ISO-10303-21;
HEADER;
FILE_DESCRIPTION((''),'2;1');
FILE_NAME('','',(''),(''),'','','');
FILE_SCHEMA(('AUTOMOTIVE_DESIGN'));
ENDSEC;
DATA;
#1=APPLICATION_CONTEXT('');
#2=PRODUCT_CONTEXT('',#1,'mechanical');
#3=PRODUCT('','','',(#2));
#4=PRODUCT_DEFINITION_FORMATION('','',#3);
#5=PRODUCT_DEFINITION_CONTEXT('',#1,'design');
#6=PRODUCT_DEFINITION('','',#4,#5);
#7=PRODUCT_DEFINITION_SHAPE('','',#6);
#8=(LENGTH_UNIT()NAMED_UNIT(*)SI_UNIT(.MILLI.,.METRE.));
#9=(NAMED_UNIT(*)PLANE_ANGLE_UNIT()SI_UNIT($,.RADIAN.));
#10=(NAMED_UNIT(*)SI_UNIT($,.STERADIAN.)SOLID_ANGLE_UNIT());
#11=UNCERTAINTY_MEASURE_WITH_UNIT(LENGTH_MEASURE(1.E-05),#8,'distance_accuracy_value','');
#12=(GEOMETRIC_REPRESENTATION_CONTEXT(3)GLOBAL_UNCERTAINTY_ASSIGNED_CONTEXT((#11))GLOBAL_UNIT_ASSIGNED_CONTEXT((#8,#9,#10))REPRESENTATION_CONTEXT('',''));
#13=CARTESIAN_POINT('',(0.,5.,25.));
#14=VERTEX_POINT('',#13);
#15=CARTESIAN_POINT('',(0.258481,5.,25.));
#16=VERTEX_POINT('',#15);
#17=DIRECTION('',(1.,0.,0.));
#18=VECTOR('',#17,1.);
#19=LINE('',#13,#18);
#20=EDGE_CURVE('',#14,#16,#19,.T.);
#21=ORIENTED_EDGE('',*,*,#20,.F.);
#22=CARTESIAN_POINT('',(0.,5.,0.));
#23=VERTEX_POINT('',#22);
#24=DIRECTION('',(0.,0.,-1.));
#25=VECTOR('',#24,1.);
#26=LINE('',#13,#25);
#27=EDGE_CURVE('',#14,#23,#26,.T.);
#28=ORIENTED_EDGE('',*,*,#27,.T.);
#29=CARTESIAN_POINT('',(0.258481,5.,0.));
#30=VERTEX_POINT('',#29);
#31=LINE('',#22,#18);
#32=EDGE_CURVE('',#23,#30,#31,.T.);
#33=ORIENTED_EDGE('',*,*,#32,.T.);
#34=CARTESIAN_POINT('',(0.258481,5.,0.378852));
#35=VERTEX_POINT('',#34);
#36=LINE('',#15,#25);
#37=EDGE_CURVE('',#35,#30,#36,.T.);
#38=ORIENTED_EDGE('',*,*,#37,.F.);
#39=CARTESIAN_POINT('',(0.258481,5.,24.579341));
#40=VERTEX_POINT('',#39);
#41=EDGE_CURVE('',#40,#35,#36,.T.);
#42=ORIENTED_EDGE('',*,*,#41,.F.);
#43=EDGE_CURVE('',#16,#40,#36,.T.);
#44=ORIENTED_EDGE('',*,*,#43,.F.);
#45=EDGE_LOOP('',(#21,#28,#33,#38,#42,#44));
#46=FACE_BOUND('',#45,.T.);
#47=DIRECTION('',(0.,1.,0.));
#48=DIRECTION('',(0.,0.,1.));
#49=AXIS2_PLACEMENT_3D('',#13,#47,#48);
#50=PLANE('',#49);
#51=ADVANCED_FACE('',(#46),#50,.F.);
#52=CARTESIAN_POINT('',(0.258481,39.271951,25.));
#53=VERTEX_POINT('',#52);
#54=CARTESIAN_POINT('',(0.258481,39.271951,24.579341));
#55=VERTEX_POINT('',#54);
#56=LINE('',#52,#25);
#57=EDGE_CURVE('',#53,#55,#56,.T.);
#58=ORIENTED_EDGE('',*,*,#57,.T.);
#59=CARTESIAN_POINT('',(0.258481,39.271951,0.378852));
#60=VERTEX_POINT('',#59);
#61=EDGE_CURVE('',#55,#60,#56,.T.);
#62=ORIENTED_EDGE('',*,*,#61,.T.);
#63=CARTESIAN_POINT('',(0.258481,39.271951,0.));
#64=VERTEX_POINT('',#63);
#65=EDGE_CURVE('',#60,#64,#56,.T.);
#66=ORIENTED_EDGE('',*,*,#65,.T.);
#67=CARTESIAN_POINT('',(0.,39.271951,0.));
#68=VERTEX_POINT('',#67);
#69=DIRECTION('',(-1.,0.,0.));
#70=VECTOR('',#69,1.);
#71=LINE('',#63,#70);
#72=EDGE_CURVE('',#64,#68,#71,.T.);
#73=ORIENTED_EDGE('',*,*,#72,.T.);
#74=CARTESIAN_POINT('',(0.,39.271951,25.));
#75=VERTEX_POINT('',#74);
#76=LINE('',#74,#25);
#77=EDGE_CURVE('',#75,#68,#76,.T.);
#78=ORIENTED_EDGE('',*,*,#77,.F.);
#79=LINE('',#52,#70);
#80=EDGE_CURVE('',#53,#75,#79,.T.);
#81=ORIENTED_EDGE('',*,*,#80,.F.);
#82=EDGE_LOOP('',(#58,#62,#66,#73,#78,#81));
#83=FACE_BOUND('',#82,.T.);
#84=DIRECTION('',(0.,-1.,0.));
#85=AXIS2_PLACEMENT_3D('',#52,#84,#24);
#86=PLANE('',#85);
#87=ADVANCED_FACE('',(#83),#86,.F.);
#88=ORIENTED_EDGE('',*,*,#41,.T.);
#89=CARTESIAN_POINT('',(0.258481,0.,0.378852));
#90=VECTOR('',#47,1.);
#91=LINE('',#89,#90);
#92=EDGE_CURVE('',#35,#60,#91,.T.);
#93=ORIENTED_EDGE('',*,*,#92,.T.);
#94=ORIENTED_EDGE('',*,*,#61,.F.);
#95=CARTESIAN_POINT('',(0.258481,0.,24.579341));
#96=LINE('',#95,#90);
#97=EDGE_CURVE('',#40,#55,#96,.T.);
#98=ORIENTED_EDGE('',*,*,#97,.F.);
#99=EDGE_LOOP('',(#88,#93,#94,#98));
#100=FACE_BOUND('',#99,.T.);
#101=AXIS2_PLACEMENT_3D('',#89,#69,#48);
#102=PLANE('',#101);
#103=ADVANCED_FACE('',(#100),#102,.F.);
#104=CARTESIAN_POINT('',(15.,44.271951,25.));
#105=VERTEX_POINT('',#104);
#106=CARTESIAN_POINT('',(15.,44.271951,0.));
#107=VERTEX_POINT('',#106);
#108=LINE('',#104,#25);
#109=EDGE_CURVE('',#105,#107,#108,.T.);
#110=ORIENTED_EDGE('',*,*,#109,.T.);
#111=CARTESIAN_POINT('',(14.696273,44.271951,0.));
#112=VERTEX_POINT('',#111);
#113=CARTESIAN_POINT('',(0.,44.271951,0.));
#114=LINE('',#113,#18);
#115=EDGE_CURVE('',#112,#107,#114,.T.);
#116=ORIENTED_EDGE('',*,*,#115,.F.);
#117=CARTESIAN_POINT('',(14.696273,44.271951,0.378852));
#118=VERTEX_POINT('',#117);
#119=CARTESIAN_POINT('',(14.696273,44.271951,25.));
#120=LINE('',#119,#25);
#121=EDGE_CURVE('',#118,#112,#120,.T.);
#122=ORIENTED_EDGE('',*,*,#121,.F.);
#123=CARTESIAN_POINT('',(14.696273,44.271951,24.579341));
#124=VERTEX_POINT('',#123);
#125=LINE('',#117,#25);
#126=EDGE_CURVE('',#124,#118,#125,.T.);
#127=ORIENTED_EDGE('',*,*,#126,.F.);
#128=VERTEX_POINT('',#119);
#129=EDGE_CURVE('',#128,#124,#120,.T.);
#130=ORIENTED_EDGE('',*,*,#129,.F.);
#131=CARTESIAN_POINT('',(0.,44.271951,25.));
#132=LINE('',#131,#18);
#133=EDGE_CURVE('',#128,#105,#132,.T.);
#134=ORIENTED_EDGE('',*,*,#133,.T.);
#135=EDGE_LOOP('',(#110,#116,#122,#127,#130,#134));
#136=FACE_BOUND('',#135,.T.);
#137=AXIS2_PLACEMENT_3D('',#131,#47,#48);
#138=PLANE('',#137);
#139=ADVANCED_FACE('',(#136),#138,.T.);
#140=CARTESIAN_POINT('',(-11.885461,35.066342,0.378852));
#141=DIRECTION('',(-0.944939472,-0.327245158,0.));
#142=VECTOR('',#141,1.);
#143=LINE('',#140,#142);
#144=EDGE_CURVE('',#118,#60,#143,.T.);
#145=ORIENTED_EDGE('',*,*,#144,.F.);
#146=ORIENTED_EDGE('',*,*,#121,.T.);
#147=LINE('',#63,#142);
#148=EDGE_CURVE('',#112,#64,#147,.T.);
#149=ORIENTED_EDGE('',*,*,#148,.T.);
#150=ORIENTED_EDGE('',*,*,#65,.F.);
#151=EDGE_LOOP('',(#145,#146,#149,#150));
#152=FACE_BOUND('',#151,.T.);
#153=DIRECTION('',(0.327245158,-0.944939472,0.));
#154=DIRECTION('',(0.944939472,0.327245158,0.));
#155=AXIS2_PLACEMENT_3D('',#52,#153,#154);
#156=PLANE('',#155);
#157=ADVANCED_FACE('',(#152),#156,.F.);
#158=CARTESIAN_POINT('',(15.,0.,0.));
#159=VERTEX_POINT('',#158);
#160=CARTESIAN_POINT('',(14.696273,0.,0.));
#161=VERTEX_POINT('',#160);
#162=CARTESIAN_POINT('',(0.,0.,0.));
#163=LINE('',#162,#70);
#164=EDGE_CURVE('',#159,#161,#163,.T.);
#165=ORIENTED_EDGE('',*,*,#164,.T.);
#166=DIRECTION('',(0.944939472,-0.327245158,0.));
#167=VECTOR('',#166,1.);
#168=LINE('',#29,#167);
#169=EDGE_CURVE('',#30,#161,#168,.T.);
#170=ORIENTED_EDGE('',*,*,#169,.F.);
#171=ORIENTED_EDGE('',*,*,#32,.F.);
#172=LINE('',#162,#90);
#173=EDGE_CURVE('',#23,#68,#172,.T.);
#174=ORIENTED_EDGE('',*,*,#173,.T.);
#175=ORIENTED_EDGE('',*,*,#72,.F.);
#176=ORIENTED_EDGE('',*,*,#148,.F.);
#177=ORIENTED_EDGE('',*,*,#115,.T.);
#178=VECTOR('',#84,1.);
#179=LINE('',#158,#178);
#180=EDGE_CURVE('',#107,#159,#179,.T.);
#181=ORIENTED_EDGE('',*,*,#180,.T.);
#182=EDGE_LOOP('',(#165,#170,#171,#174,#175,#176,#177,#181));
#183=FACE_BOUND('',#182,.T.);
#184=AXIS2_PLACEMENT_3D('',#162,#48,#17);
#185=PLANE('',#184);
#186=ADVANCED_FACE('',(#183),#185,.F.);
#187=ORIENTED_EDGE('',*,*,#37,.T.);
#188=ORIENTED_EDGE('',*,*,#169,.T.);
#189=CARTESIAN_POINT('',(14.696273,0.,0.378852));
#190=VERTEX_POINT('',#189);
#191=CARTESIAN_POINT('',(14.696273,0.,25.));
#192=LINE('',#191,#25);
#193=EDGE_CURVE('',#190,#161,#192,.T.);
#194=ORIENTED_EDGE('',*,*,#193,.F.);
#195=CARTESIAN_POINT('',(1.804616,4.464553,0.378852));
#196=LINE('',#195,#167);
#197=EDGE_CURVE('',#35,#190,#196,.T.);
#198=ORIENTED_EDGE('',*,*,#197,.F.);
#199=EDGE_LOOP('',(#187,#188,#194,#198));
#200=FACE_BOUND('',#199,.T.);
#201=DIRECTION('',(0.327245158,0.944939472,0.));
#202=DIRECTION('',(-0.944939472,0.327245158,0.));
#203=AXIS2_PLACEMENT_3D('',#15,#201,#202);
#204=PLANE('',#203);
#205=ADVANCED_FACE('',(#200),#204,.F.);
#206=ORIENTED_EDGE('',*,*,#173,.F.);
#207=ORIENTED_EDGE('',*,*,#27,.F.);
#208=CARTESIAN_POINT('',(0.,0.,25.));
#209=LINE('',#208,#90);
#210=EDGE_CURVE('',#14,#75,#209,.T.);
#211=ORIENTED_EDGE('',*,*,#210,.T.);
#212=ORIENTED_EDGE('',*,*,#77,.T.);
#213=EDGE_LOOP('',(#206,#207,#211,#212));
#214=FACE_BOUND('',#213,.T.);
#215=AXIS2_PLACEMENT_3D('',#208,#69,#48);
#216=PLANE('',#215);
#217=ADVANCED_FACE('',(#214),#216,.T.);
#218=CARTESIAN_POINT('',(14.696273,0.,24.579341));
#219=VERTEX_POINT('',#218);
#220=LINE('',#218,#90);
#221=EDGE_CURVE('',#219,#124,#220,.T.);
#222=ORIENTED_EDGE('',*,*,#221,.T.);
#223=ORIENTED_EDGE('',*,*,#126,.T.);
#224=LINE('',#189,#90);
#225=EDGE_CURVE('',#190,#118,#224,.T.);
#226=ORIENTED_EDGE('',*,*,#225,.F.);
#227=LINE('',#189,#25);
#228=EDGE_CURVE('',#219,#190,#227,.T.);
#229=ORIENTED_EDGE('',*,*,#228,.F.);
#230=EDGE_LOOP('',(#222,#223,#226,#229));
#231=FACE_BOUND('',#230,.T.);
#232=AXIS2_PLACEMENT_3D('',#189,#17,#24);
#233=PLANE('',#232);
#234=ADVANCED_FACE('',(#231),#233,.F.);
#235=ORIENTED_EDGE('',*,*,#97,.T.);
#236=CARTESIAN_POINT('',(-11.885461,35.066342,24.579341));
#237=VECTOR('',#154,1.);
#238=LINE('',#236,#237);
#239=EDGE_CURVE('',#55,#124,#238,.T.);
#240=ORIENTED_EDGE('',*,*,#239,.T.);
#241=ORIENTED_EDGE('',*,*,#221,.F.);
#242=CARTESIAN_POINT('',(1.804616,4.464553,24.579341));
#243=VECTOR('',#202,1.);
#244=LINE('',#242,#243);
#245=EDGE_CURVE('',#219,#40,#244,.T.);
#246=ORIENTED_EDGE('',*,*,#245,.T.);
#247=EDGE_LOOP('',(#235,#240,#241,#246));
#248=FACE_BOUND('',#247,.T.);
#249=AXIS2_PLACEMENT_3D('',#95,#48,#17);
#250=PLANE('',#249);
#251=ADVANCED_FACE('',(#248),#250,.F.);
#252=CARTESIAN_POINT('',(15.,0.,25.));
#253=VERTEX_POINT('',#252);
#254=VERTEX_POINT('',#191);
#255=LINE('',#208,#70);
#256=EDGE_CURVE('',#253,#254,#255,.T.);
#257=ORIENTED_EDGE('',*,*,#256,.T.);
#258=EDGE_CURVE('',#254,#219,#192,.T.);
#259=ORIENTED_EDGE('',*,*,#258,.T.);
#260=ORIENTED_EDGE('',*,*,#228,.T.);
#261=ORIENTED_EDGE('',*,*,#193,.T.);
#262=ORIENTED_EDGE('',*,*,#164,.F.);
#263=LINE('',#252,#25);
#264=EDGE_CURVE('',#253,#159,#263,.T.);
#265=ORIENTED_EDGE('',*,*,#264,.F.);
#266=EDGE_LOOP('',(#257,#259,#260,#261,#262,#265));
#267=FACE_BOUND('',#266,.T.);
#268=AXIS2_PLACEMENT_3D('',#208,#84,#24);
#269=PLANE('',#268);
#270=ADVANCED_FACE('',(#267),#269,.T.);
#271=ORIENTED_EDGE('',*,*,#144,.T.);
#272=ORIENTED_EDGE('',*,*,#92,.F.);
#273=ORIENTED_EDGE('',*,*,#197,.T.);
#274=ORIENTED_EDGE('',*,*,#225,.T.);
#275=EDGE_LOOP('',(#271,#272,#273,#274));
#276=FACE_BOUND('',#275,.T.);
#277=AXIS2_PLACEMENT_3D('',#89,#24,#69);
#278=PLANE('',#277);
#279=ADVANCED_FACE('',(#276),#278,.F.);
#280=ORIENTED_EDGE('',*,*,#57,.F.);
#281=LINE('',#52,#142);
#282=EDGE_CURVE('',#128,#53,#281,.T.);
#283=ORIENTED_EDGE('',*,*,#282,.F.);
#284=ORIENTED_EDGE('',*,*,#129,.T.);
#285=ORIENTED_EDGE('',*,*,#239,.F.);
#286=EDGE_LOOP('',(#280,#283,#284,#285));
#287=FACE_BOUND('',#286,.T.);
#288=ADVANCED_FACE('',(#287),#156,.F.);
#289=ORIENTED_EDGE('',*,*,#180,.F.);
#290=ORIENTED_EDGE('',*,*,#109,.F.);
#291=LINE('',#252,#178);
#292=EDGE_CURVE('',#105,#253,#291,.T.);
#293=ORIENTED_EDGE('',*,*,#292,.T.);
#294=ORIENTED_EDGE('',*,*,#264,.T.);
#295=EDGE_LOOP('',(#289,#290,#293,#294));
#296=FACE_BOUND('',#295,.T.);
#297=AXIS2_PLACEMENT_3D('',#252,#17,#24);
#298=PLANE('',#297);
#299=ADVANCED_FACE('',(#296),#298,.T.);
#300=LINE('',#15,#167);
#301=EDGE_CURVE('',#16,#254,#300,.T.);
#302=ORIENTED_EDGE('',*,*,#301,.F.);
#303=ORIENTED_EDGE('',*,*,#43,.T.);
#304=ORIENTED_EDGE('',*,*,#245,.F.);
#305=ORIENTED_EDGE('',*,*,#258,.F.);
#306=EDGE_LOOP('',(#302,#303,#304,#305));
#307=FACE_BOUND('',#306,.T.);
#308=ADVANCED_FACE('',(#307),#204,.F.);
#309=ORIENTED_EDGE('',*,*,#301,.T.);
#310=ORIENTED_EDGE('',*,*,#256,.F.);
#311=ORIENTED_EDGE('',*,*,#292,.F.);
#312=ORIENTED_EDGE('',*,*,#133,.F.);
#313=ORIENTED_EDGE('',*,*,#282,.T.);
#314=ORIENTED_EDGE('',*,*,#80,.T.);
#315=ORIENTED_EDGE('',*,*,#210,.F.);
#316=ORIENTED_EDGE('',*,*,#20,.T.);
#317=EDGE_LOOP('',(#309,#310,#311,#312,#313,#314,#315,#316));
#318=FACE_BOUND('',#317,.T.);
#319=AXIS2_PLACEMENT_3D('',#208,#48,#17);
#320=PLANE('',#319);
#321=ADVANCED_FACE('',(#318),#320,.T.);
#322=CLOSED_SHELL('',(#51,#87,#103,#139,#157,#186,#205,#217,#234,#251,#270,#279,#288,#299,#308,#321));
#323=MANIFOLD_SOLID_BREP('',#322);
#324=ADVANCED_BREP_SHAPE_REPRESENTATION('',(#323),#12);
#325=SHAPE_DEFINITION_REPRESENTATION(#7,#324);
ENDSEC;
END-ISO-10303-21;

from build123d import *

# Parameters (mm, degrees)
SKETCH1_W           = 15
SKETCH1_H           = 44.271951098
BOSS_EXTRUDE4_DEPTH = 25
SKETCH4_W           = 14.437791502
SKETCH4_H           = 24.200488612
CUT_EXTRUDE4_DEPTH  = 54.009486453
CUT_EXTRUDE5_DEPTH  = 54.009486453
CUT_EXTRUDE6_DEPTH  = 54.009486453
SKETCH7_W           = 0.258481213
SKETCH7_H           = 5
CUT_EXTRUDE7_DEPTH  = 54.009486453
SKETCH10_W          = 0.258481213
SKETCH10_H          = 5
CUT_EXTRUDE8_DEPTH  = 54.009486453


with BuildPart() as part:
    # Sketch1 → Boss-Extrude4 (new body)
    with BuildSketch(Plane.XY):
        with Locations((7.5, 22.135975549)):
            Rectangle(SKETCH1_W, SKETCH1_H)
    extrude(amount=BOSS_EXTRUDE4_DEPTH)

    # Sketch4 → Cut-Extrude4 (cut, through all)
    with BuildSketch(Plane(origin=(0, 44.271951098, 0), x_dir=(1, 0, 0), z_dir=(0, 1, 0))):
        with Locations((7.477376964, -12.479096566)):
            Rectangle(SKETCH4_W, SKETCH4_H)
    extrude(amount=-CUT_EXTRUDE4_DEPTH, mode=Mode.SUBTRACT)

    # Sketch5 → Cut-Extrude5 (cut, through all)
    with BuildSketch(Plane(origin=(0, 0, 0), x_dir=(-1, 0, 0), z_dir=(0, 0, -1))):
        Polygon((-14.696272715, 44.271951098), (-0.258481213, 44.271951098), (-0.258481213, 39.271951098), align=None)
    extrude(amount=-CUT_EXTRUDE5_DEPTH, mode=Mode.SUBTRACT)

    # Sketch6 → Cut-Extrude6 (cut, through all)
    with BuildSketch(Plane(origin=(0, 0, 0), x_dir=(-1, 0, 0), z_dir=(0, 0, -1))):
        Polygon((-0.258481213, 0), (-0.258481213, 5), (-14.696272715, 0), align=None)
    extrude(amount=-CUT_EXTRUDE6_DEPTH, mode=Mode.SUBTRACT)

    # Sketch7 → Cut-Extrude7 (cut, through all)
    with BuildSketch(Plane(origin=(0, 0, 0), x_dir=(-1, 0, 0), z_dir=(0, 0, -1))):
        with Locations((-0.129240607, 41.771951098)):
            Rectangle(SKETCH7_W, SKETCH7_H)
    extrude(amount=-CUT_EXTRUDE7_DEPTH, mode=Mode.SUBTRACT)

    # Sketch10 → Cut-Extrude8 (cut, through all)
    with BuildSketch(Plane(origin=(0, 0, 0), x_dir=(-1, 0, 0), z_dir=(0, 0, -1))):
        with Locations((-0.129240607, 2.5)):
            Rectangle(SKETCH10_W, SKETCH10_H)
    extrude(amount=-CUT_EXTRUDE8_DEPTH, mode=Mode.SUBTRACT)


solid = part.part
